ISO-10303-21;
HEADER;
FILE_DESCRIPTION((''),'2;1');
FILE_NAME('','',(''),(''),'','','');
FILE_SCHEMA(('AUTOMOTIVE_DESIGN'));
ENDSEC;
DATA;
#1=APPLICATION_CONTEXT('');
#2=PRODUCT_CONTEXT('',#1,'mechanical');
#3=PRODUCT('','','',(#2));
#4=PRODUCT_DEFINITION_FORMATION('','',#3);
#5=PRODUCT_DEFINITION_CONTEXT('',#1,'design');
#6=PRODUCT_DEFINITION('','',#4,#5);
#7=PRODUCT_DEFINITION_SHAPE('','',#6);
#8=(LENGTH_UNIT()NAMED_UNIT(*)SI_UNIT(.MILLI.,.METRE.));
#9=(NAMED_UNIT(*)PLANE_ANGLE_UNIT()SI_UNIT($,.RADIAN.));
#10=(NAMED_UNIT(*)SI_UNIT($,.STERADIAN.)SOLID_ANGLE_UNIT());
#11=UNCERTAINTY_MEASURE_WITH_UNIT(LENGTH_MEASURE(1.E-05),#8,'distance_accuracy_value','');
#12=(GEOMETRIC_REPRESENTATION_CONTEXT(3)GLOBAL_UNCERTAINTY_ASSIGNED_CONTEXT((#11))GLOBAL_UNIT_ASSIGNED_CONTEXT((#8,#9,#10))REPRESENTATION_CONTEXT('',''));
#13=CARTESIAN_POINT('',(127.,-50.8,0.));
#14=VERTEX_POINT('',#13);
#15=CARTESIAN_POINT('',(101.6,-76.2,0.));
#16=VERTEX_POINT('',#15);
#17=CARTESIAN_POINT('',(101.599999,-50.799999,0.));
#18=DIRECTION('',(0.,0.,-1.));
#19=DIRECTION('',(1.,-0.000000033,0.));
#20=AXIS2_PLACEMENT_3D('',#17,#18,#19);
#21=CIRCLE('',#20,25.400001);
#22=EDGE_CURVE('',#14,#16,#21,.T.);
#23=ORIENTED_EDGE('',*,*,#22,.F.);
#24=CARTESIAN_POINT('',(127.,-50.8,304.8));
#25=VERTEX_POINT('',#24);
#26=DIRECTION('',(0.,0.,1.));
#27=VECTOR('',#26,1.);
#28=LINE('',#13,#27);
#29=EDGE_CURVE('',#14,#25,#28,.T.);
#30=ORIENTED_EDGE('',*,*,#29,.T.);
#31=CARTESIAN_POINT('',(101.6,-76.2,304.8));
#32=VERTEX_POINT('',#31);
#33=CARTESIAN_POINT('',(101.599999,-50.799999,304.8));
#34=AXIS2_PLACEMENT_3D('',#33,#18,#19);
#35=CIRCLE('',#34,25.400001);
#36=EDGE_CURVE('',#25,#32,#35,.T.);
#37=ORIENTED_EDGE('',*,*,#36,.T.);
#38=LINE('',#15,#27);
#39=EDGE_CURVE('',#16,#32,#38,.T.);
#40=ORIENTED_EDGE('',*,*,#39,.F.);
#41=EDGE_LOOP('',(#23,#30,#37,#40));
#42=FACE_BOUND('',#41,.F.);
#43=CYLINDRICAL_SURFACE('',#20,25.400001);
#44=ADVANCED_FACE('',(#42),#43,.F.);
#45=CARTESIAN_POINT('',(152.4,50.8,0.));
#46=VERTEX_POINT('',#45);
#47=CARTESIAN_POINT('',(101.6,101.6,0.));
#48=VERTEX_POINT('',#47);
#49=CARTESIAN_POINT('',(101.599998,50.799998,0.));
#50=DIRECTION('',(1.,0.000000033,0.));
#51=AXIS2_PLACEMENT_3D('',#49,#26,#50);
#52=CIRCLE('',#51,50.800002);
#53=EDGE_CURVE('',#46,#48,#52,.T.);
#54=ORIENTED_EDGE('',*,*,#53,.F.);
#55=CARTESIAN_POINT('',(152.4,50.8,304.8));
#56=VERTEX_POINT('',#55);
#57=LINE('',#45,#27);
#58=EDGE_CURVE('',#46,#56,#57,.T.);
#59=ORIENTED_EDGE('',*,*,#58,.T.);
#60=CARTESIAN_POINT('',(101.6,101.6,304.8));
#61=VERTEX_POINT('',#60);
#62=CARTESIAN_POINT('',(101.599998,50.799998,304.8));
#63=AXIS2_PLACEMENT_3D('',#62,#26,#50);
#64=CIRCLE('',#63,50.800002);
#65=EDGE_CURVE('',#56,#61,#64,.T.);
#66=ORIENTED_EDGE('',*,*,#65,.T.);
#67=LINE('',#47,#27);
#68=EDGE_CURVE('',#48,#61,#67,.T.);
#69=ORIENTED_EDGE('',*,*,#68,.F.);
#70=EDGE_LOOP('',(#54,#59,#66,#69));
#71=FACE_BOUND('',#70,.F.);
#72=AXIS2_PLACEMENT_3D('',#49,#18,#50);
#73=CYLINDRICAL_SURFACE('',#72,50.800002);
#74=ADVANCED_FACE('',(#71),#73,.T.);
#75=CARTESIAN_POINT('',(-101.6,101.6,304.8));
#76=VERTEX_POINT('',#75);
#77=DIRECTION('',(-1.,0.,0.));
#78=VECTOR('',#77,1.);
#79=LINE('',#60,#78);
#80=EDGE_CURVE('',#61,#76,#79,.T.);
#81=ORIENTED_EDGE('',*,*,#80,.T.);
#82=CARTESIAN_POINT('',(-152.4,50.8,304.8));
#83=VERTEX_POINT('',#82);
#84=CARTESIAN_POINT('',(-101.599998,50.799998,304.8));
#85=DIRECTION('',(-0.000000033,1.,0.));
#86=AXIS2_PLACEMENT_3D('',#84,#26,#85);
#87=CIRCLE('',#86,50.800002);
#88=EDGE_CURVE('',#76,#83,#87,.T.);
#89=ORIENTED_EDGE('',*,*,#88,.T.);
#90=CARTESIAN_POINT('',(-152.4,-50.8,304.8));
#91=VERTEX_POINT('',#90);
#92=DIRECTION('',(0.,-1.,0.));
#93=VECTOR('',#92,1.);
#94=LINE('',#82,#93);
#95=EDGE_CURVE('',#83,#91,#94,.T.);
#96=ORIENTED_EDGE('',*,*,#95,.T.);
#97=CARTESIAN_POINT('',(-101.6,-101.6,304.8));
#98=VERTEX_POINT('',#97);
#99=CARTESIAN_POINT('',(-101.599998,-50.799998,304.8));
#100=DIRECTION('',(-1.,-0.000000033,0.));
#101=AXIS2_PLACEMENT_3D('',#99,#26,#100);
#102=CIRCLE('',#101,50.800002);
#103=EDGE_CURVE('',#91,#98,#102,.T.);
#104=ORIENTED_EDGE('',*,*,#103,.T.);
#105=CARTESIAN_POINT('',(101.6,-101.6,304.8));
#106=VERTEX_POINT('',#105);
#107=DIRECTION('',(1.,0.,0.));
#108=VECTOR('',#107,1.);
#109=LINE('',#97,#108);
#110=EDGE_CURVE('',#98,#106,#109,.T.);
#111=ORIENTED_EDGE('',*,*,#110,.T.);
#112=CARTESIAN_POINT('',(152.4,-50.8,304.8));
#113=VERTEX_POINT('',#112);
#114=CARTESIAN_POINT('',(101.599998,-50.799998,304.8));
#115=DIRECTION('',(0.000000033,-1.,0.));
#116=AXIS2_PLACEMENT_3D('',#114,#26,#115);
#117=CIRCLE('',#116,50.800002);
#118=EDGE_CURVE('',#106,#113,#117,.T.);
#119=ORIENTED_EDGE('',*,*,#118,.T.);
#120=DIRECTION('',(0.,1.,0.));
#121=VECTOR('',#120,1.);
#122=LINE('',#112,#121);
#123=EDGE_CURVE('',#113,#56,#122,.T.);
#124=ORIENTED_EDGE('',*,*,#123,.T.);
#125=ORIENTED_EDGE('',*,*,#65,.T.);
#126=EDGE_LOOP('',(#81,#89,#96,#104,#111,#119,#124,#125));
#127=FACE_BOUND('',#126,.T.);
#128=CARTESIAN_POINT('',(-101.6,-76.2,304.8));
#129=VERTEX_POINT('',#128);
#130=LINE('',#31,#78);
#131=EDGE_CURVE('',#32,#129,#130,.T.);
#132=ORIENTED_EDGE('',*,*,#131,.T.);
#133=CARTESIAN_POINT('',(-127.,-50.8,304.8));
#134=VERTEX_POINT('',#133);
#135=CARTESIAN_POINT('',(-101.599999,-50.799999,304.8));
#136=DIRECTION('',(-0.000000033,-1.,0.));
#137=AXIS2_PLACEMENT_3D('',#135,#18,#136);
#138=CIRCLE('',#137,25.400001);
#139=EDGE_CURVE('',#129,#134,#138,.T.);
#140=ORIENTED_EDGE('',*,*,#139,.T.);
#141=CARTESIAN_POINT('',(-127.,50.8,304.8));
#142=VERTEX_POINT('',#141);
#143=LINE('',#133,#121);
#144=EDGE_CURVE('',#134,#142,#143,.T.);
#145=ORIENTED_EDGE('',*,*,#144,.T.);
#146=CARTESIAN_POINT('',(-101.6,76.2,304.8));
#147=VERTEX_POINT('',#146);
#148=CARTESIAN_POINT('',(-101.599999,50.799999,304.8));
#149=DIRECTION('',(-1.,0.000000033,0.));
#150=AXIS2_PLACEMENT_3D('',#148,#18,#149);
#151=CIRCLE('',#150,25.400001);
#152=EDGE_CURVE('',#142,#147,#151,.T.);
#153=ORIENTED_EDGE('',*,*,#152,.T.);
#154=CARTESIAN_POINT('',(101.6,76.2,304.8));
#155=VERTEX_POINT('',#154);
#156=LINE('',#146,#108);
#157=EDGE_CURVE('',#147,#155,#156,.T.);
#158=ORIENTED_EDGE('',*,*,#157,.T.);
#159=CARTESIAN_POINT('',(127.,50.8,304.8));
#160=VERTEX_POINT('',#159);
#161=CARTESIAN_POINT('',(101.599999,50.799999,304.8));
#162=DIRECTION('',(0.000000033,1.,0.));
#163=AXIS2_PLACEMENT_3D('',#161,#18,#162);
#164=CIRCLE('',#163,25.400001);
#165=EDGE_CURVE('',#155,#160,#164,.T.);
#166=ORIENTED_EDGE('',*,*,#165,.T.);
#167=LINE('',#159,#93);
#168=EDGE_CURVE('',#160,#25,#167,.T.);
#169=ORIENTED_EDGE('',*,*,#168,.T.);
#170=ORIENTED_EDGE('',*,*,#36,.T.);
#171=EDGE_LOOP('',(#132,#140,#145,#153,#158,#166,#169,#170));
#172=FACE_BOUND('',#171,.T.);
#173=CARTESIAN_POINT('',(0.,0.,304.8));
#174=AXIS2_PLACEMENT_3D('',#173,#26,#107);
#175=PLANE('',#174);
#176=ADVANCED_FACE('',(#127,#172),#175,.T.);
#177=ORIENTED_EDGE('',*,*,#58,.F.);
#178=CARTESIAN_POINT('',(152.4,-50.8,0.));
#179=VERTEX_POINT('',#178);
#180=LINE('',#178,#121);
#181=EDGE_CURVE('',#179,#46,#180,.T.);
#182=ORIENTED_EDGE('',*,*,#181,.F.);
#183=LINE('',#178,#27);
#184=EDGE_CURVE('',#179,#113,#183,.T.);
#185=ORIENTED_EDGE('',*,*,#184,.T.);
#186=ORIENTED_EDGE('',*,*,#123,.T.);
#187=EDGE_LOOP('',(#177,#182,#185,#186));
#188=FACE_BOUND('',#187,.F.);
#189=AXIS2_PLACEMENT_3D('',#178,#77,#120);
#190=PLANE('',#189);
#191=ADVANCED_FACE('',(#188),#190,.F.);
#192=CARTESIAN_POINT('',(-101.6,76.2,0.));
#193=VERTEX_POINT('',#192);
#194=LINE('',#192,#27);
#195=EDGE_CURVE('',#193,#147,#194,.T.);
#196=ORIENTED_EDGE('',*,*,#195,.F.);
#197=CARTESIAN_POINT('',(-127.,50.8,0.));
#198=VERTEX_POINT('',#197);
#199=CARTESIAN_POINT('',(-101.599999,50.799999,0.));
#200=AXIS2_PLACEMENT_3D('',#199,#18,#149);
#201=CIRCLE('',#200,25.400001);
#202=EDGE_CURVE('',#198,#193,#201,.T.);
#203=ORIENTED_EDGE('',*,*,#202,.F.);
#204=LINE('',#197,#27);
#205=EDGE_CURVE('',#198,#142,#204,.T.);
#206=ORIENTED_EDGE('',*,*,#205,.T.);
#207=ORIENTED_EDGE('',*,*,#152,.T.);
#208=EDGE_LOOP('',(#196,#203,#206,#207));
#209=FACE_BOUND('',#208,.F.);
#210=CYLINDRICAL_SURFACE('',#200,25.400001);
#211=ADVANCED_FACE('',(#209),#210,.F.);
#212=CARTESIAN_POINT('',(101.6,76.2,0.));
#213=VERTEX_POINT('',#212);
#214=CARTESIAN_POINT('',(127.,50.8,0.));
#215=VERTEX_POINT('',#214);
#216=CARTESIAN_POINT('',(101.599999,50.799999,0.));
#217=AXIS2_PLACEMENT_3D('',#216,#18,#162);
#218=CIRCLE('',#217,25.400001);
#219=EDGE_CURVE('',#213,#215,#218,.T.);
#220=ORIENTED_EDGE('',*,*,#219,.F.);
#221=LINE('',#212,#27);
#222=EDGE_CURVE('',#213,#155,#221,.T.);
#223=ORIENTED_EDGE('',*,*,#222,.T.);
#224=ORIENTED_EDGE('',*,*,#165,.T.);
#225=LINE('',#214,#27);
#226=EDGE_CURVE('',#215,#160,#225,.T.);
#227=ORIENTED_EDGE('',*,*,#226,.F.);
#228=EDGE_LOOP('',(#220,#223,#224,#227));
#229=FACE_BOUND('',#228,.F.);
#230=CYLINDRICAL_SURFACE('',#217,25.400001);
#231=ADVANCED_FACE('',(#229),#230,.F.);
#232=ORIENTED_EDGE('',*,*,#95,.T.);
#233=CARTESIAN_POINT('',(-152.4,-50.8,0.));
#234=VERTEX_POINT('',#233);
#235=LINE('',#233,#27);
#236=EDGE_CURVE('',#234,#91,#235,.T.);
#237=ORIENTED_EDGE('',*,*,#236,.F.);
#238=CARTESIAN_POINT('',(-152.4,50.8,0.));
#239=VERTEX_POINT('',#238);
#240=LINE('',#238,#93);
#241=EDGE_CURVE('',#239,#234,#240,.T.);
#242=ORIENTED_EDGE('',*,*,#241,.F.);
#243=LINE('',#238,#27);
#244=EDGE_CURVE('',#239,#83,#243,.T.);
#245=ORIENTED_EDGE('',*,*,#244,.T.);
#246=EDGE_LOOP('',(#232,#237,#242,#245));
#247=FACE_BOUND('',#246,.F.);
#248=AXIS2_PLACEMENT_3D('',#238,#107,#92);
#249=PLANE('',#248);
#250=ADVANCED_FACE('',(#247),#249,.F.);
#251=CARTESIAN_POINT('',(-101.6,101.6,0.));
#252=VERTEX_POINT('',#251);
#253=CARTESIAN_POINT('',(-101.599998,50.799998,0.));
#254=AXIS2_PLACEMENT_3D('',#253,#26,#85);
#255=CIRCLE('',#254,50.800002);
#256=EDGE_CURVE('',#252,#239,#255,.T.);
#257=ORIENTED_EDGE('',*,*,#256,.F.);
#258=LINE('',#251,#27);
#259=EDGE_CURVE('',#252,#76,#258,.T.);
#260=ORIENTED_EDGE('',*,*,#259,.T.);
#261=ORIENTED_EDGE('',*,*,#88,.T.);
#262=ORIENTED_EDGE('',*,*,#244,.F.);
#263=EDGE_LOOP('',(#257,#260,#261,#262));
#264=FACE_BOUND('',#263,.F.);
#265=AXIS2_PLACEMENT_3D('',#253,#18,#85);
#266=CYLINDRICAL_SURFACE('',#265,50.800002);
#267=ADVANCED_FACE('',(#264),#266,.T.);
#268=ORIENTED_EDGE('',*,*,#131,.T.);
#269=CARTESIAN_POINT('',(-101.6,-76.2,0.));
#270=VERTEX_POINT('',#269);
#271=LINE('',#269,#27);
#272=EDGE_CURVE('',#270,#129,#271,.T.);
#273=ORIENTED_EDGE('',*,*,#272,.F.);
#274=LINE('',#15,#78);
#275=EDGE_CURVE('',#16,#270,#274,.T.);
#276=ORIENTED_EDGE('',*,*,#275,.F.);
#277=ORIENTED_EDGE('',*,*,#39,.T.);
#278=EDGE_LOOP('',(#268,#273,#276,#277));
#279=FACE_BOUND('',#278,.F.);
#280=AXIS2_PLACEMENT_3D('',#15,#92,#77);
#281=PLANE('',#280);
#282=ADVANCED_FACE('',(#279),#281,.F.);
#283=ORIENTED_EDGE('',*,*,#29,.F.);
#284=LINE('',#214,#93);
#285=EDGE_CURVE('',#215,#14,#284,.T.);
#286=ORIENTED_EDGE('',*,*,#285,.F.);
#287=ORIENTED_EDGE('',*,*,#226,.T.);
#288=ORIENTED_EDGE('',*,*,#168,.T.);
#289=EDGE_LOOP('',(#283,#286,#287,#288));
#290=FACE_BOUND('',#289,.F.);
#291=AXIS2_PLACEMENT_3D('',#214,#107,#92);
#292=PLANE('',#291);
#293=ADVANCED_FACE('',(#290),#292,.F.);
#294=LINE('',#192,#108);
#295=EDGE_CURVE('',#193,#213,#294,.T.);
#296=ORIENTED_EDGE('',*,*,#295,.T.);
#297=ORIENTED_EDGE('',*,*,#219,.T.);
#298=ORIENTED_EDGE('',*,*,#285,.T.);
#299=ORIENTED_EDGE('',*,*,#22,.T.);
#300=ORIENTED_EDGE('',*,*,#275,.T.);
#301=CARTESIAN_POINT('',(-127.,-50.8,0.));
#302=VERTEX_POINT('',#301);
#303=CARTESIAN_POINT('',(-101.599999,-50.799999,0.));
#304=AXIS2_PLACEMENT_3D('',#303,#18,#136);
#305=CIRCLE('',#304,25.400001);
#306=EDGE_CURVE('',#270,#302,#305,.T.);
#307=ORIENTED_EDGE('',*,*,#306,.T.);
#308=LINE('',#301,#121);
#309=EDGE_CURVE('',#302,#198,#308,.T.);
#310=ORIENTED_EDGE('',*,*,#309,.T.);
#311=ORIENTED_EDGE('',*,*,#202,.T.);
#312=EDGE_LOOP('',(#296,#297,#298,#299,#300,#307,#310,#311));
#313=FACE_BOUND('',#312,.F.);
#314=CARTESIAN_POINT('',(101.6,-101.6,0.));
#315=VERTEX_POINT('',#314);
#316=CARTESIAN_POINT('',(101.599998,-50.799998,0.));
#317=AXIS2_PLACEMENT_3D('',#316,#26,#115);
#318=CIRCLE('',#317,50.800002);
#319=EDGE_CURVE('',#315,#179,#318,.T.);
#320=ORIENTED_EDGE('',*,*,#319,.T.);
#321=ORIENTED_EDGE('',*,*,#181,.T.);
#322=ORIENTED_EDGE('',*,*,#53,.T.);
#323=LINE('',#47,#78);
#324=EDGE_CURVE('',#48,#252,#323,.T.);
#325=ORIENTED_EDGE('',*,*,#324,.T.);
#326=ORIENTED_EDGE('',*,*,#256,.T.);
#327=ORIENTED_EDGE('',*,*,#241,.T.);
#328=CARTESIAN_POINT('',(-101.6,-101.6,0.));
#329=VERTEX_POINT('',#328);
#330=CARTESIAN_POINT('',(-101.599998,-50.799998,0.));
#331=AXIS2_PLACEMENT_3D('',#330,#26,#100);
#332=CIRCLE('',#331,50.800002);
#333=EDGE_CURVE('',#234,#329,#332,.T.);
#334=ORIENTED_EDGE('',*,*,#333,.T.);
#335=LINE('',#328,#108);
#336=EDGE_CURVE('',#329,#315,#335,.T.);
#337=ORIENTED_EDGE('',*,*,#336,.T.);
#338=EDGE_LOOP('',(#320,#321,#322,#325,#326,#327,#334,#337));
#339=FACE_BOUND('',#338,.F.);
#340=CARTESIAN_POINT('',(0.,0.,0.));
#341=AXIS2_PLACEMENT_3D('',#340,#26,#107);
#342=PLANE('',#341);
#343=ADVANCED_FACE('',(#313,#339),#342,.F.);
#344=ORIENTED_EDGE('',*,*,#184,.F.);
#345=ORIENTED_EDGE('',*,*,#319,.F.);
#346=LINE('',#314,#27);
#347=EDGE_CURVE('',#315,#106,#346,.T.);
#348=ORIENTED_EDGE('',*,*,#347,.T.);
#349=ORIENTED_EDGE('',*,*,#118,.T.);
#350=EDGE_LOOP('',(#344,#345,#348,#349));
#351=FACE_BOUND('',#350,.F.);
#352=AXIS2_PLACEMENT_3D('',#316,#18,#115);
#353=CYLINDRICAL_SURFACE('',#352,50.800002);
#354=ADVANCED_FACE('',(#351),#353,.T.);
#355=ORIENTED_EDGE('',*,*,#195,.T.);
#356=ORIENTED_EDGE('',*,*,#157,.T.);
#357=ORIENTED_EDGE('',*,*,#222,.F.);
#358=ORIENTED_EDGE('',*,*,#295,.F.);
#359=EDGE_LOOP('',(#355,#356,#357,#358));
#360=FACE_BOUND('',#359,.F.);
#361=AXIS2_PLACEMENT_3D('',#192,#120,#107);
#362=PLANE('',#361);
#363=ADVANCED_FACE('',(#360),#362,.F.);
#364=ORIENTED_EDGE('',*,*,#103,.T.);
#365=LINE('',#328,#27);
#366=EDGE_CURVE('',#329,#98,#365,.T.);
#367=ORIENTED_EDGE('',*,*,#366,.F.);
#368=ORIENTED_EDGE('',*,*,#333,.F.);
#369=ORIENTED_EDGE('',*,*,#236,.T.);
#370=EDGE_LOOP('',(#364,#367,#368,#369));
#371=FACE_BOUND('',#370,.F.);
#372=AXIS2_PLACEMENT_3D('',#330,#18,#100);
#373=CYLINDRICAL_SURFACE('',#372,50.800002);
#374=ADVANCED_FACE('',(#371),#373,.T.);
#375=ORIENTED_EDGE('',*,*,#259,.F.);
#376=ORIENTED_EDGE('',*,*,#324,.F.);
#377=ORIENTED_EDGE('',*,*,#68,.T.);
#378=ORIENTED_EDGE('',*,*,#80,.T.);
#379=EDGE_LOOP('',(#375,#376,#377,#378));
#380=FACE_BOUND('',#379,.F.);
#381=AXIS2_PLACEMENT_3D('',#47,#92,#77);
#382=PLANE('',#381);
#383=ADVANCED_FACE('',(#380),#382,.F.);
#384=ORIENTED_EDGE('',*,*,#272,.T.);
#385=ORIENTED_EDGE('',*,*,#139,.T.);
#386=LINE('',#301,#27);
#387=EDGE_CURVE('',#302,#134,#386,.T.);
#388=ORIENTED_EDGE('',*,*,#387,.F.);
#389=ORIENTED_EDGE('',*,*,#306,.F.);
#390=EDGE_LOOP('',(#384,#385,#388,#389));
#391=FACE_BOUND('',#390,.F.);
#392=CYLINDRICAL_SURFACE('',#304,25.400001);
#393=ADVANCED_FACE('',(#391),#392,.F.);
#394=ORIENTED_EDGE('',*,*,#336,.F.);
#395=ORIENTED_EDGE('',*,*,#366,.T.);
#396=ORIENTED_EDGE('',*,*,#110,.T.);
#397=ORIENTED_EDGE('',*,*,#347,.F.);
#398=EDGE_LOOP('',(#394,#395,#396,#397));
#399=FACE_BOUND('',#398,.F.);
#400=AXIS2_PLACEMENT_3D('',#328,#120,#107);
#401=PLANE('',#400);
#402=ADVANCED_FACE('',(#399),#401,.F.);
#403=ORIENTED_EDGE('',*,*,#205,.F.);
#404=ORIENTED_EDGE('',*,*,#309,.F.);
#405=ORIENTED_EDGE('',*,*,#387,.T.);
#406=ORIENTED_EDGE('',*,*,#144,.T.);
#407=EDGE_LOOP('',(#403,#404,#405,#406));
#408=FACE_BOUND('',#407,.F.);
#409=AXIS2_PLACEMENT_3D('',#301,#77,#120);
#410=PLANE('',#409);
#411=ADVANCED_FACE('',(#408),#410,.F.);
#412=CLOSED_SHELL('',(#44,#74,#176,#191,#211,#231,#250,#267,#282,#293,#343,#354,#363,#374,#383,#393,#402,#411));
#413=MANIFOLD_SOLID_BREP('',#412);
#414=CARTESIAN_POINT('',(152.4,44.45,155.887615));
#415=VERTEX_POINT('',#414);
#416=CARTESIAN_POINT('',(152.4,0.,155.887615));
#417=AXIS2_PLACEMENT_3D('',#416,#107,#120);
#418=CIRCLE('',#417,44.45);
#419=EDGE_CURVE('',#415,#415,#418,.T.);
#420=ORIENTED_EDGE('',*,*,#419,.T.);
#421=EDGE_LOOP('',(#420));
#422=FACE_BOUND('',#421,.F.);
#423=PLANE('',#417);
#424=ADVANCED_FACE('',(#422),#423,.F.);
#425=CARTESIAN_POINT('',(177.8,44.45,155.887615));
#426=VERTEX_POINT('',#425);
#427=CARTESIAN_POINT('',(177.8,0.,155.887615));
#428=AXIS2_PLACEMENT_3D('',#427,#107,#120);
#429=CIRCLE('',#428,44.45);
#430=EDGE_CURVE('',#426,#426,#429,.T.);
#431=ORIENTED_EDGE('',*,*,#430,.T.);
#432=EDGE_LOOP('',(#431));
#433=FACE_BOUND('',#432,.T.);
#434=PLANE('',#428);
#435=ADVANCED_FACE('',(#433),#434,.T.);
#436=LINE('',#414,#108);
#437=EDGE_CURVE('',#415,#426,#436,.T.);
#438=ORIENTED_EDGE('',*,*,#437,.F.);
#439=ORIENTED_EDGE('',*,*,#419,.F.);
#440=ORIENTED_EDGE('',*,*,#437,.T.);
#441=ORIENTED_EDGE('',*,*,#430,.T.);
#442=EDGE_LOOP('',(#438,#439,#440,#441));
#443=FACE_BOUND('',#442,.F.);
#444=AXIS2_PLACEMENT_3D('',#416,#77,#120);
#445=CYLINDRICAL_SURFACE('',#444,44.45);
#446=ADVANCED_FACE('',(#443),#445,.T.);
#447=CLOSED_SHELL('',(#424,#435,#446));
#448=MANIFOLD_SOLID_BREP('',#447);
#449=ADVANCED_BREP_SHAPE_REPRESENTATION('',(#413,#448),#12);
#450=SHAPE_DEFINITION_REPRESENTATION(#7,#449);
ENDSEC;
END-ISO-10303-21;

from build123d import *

# Parameters (mm, degrees)
F1_DEPTH = 304.8
F2_R     = 44.45
F3_DEPTH = 25.4


with BuildPart() as f1:
    # F0 (on Top) → F1 (new body)
    with BuildSketch(Plane.XY):
        with BuildLine():
            Line((152.4, -50.8), (152.4, 50.8))
            ThreePointArc((152.4, 50.8), (137.521024, 86.721024), (101.6, 101.6))
            Line((101.6, 101.6), (-101.6, 101.6))
            ThreePointArc((-101.6, 101.6), (-137.521024, 86.721024), (-152.4, 50.8))
            Line((-152.4, 50.8), (-152.4, -50.8))
            ThreePointArc((-152.4, -50.8), (-137.521024, -86.721024), (-101.6, -101.6))
            Line((-101.6, -101.6), (101.6, -101.6))
            ThreePointArc((101.6, -101.6), (137.521024, -86.721024), (152.4, -50.8))
        make_face()
        with BuildLine():
            Line((-101.6, 76.2), (101.6, 76.2))
            ThreePointArc((101.6, 76.2), (119.560512, 68.760512), (127, 50.8))
            Line((127, 50.8), (127, -50.8))
            ThreePointArc((127, -50.8), (119.560512, -68.760512), (101.6, -76.2))
            Line((101.6, -76.2), (-101.6, -76.2))
            ThreePointArc((-101.6, -76.2), (-119.560512, -68.760512), (-127, -50.8))
            Line((-127, -50.8), (-127, 50.8))
            ThreePointArc((-127, 50.8), (-119.560512, 68.760512), (-101.6, 76.2))
        make_face(mode=Mode.SUBTRACT)
    extrude(amount=F1_DEPTH)


with BuildPart() as f3:
    # F2 (on face) → F3 (new body)
    with BuildSketch(Plane.YZ.offset(152.4)):
        with Locations((0, 155.887615)):
            Circle(F2_R)
    extrude(amount=F3_DEPTH)


solid = Compound([f1.part, f3.part])
